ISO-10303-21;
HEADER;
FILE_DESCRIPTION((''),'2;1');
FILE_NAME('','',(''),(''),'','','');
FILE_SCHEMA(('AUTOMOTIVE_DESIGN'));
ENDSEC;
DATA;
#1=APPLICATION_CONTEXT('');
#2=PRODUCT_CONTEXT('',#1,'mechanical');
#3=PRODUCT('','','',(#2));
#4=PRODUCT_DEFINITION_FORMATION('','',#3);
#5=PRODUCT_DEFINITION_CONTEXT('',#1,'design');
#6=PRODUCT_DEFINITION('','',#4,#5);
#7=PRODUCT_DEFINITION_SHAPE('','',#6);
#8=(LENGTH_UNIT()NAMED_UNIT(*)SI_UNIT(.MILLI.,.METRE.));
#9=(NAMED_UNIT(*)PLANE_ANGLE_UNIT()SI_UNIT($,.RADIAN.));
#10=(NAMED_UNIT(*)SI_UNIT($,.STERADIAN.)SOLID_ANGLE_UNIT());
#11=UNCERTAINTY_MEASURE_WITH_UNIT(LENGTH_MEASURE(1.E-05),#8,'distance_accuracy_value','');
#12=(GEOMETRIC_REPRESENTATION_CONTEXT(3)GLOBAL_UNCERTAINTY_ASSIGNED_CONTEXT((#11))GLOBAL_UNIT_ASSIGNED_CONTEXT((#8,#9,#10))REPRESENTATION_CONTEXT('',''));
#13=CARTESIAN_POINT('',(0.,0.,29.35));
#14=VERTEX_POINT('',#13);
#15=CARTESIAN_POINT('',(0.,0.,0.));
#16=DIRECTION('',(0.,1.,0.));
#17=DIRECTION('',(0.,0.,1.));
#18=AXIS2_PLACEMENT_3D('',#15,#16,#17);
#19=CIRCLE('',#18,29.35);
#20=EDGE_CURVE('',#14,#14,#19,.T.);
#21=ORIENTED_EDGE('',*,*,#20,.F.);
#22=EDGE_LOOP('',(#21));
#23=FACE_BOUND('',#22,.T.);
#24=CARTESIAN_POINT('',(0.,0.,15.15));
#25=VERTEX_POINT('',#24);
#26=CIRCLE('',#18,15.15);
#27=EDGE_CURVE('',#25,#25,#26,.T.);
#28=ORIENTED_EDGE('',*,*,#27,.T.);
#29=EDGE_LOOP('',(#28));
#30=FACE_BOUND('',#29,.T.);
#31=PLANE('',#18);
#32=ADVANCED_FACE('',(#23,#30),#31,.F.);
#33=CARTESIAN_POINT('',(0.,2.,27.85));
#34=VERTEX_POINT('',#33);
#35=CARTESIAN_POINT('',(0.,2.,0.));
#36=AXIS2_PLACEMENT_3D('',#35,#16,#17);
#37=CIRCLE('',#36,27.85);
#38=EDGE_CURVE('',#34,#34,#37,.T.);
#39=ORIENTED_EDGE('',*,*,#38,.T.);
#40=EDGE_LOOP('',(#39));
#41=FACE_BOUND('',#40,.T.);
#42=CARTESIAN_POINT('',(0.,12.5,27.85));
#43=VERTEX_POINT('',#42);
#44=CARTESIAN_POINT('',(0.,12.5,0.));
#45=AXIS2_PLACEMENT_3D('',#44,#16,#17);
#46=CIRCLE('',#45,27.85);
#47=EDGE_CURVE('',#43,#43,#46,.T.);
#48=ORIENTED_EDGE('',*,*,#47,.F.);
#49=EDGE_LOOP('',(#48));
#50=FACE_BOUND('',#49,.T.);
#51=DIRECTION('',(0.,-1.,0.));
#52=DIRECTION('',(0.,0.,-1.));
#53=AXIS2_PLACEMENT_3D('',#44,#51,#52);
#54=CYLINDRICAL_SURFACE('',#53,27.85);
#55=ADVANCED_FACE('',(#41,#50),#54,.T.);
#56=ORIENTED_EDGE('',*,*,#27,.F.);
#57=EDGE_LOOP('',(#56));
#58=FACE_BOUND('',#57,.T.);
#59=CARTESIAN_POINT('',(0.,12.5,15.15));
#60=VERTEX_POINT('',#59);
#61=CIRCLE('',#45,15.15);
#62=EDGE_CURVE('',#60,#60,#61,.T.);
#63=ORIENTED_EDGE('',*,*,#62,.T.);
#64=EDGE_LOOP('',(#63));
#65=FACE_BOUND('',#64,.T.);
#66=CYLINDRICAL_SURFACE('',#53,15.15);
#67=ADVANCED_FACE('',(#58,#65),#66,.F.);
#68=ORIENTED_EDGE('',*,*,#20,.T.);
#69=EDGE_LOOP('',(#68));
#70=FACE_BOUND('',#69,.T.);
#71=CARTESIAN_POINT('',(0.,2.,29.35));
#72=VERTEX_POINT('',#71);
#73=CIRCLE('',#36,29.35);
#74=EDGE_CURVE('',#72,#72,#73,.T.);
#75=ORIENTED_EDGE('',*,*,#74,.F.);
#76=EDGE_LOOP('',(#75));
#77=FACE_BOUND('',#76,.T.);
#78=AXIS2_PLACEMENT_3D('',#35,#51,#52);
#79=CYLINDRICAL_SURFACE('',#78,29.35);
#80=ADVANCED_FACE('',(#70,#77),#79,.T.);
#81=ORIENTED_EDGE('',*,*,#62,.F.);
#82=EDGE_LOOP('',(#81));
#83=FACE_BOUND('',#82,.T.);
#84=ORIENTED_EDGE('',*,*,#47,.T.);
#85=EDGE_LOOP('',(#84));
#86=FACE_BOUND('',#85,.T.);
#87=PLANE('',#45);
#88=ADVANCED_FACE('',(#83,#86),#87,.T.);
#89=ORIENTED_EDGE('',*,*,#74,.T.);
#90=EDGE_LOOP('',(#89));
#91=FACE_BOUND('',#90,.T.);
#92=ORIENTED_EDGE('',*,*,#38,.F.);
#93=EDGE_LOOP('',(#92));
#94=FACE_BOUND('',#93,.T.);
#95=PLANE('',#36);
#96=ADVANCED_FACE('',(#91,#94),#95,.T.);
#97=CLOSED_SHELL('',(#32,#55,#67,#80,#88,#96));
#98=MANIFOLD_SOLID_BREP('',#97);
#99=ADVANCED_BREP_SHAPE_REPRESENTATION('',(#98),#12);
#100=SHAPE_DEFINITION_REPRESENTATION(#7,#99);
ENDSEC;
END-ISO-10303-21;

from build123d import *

# Parameters (mm, degrees)
SKETCH1_R           = 27.85
SKETCH1_R_2         = 15.15
BOSS_EXTRUDE1_DEPTH = 12.5
BOSS_EXTRUDE3_START = -12.5
SKETCH3_R           = 29.35
SKETCH3_R_2         = 27.85
BOSS_EXTRUDE3_DEPTH = 2


with BuildPart() as part:
    # Sketch1 → Boss-Extrude1 (new body)
    with BuildSketch(Plane(origin=(0, 0, 0), x_dir=(1, 0, 0), z_dir=(0, 1, 0))):
        Circle(SKETCH1_R)
        Circle(SKETCH1_R_2, mode=Mode.SUBTRACT)
    extrude(amount=BOSS_EXTRUDE1_DEPTH)

    # Sketch3 → Boss-Extrude3 (add)
    with BuildSketch(Plane(origin=(0, 12.5, 0), x_dir=(1, 0, 0), z_dir=(0, 1, 0)).offset(BOSS_EXTRUDE3_START)):
        Circle(SKETCH3_R)
        Circle(SKETCH3_R_2, mode=Mode.SUBTRACT)
    extrude(amount=BOSS_EXTRUDE3_DEPTH)


solid = part.part
